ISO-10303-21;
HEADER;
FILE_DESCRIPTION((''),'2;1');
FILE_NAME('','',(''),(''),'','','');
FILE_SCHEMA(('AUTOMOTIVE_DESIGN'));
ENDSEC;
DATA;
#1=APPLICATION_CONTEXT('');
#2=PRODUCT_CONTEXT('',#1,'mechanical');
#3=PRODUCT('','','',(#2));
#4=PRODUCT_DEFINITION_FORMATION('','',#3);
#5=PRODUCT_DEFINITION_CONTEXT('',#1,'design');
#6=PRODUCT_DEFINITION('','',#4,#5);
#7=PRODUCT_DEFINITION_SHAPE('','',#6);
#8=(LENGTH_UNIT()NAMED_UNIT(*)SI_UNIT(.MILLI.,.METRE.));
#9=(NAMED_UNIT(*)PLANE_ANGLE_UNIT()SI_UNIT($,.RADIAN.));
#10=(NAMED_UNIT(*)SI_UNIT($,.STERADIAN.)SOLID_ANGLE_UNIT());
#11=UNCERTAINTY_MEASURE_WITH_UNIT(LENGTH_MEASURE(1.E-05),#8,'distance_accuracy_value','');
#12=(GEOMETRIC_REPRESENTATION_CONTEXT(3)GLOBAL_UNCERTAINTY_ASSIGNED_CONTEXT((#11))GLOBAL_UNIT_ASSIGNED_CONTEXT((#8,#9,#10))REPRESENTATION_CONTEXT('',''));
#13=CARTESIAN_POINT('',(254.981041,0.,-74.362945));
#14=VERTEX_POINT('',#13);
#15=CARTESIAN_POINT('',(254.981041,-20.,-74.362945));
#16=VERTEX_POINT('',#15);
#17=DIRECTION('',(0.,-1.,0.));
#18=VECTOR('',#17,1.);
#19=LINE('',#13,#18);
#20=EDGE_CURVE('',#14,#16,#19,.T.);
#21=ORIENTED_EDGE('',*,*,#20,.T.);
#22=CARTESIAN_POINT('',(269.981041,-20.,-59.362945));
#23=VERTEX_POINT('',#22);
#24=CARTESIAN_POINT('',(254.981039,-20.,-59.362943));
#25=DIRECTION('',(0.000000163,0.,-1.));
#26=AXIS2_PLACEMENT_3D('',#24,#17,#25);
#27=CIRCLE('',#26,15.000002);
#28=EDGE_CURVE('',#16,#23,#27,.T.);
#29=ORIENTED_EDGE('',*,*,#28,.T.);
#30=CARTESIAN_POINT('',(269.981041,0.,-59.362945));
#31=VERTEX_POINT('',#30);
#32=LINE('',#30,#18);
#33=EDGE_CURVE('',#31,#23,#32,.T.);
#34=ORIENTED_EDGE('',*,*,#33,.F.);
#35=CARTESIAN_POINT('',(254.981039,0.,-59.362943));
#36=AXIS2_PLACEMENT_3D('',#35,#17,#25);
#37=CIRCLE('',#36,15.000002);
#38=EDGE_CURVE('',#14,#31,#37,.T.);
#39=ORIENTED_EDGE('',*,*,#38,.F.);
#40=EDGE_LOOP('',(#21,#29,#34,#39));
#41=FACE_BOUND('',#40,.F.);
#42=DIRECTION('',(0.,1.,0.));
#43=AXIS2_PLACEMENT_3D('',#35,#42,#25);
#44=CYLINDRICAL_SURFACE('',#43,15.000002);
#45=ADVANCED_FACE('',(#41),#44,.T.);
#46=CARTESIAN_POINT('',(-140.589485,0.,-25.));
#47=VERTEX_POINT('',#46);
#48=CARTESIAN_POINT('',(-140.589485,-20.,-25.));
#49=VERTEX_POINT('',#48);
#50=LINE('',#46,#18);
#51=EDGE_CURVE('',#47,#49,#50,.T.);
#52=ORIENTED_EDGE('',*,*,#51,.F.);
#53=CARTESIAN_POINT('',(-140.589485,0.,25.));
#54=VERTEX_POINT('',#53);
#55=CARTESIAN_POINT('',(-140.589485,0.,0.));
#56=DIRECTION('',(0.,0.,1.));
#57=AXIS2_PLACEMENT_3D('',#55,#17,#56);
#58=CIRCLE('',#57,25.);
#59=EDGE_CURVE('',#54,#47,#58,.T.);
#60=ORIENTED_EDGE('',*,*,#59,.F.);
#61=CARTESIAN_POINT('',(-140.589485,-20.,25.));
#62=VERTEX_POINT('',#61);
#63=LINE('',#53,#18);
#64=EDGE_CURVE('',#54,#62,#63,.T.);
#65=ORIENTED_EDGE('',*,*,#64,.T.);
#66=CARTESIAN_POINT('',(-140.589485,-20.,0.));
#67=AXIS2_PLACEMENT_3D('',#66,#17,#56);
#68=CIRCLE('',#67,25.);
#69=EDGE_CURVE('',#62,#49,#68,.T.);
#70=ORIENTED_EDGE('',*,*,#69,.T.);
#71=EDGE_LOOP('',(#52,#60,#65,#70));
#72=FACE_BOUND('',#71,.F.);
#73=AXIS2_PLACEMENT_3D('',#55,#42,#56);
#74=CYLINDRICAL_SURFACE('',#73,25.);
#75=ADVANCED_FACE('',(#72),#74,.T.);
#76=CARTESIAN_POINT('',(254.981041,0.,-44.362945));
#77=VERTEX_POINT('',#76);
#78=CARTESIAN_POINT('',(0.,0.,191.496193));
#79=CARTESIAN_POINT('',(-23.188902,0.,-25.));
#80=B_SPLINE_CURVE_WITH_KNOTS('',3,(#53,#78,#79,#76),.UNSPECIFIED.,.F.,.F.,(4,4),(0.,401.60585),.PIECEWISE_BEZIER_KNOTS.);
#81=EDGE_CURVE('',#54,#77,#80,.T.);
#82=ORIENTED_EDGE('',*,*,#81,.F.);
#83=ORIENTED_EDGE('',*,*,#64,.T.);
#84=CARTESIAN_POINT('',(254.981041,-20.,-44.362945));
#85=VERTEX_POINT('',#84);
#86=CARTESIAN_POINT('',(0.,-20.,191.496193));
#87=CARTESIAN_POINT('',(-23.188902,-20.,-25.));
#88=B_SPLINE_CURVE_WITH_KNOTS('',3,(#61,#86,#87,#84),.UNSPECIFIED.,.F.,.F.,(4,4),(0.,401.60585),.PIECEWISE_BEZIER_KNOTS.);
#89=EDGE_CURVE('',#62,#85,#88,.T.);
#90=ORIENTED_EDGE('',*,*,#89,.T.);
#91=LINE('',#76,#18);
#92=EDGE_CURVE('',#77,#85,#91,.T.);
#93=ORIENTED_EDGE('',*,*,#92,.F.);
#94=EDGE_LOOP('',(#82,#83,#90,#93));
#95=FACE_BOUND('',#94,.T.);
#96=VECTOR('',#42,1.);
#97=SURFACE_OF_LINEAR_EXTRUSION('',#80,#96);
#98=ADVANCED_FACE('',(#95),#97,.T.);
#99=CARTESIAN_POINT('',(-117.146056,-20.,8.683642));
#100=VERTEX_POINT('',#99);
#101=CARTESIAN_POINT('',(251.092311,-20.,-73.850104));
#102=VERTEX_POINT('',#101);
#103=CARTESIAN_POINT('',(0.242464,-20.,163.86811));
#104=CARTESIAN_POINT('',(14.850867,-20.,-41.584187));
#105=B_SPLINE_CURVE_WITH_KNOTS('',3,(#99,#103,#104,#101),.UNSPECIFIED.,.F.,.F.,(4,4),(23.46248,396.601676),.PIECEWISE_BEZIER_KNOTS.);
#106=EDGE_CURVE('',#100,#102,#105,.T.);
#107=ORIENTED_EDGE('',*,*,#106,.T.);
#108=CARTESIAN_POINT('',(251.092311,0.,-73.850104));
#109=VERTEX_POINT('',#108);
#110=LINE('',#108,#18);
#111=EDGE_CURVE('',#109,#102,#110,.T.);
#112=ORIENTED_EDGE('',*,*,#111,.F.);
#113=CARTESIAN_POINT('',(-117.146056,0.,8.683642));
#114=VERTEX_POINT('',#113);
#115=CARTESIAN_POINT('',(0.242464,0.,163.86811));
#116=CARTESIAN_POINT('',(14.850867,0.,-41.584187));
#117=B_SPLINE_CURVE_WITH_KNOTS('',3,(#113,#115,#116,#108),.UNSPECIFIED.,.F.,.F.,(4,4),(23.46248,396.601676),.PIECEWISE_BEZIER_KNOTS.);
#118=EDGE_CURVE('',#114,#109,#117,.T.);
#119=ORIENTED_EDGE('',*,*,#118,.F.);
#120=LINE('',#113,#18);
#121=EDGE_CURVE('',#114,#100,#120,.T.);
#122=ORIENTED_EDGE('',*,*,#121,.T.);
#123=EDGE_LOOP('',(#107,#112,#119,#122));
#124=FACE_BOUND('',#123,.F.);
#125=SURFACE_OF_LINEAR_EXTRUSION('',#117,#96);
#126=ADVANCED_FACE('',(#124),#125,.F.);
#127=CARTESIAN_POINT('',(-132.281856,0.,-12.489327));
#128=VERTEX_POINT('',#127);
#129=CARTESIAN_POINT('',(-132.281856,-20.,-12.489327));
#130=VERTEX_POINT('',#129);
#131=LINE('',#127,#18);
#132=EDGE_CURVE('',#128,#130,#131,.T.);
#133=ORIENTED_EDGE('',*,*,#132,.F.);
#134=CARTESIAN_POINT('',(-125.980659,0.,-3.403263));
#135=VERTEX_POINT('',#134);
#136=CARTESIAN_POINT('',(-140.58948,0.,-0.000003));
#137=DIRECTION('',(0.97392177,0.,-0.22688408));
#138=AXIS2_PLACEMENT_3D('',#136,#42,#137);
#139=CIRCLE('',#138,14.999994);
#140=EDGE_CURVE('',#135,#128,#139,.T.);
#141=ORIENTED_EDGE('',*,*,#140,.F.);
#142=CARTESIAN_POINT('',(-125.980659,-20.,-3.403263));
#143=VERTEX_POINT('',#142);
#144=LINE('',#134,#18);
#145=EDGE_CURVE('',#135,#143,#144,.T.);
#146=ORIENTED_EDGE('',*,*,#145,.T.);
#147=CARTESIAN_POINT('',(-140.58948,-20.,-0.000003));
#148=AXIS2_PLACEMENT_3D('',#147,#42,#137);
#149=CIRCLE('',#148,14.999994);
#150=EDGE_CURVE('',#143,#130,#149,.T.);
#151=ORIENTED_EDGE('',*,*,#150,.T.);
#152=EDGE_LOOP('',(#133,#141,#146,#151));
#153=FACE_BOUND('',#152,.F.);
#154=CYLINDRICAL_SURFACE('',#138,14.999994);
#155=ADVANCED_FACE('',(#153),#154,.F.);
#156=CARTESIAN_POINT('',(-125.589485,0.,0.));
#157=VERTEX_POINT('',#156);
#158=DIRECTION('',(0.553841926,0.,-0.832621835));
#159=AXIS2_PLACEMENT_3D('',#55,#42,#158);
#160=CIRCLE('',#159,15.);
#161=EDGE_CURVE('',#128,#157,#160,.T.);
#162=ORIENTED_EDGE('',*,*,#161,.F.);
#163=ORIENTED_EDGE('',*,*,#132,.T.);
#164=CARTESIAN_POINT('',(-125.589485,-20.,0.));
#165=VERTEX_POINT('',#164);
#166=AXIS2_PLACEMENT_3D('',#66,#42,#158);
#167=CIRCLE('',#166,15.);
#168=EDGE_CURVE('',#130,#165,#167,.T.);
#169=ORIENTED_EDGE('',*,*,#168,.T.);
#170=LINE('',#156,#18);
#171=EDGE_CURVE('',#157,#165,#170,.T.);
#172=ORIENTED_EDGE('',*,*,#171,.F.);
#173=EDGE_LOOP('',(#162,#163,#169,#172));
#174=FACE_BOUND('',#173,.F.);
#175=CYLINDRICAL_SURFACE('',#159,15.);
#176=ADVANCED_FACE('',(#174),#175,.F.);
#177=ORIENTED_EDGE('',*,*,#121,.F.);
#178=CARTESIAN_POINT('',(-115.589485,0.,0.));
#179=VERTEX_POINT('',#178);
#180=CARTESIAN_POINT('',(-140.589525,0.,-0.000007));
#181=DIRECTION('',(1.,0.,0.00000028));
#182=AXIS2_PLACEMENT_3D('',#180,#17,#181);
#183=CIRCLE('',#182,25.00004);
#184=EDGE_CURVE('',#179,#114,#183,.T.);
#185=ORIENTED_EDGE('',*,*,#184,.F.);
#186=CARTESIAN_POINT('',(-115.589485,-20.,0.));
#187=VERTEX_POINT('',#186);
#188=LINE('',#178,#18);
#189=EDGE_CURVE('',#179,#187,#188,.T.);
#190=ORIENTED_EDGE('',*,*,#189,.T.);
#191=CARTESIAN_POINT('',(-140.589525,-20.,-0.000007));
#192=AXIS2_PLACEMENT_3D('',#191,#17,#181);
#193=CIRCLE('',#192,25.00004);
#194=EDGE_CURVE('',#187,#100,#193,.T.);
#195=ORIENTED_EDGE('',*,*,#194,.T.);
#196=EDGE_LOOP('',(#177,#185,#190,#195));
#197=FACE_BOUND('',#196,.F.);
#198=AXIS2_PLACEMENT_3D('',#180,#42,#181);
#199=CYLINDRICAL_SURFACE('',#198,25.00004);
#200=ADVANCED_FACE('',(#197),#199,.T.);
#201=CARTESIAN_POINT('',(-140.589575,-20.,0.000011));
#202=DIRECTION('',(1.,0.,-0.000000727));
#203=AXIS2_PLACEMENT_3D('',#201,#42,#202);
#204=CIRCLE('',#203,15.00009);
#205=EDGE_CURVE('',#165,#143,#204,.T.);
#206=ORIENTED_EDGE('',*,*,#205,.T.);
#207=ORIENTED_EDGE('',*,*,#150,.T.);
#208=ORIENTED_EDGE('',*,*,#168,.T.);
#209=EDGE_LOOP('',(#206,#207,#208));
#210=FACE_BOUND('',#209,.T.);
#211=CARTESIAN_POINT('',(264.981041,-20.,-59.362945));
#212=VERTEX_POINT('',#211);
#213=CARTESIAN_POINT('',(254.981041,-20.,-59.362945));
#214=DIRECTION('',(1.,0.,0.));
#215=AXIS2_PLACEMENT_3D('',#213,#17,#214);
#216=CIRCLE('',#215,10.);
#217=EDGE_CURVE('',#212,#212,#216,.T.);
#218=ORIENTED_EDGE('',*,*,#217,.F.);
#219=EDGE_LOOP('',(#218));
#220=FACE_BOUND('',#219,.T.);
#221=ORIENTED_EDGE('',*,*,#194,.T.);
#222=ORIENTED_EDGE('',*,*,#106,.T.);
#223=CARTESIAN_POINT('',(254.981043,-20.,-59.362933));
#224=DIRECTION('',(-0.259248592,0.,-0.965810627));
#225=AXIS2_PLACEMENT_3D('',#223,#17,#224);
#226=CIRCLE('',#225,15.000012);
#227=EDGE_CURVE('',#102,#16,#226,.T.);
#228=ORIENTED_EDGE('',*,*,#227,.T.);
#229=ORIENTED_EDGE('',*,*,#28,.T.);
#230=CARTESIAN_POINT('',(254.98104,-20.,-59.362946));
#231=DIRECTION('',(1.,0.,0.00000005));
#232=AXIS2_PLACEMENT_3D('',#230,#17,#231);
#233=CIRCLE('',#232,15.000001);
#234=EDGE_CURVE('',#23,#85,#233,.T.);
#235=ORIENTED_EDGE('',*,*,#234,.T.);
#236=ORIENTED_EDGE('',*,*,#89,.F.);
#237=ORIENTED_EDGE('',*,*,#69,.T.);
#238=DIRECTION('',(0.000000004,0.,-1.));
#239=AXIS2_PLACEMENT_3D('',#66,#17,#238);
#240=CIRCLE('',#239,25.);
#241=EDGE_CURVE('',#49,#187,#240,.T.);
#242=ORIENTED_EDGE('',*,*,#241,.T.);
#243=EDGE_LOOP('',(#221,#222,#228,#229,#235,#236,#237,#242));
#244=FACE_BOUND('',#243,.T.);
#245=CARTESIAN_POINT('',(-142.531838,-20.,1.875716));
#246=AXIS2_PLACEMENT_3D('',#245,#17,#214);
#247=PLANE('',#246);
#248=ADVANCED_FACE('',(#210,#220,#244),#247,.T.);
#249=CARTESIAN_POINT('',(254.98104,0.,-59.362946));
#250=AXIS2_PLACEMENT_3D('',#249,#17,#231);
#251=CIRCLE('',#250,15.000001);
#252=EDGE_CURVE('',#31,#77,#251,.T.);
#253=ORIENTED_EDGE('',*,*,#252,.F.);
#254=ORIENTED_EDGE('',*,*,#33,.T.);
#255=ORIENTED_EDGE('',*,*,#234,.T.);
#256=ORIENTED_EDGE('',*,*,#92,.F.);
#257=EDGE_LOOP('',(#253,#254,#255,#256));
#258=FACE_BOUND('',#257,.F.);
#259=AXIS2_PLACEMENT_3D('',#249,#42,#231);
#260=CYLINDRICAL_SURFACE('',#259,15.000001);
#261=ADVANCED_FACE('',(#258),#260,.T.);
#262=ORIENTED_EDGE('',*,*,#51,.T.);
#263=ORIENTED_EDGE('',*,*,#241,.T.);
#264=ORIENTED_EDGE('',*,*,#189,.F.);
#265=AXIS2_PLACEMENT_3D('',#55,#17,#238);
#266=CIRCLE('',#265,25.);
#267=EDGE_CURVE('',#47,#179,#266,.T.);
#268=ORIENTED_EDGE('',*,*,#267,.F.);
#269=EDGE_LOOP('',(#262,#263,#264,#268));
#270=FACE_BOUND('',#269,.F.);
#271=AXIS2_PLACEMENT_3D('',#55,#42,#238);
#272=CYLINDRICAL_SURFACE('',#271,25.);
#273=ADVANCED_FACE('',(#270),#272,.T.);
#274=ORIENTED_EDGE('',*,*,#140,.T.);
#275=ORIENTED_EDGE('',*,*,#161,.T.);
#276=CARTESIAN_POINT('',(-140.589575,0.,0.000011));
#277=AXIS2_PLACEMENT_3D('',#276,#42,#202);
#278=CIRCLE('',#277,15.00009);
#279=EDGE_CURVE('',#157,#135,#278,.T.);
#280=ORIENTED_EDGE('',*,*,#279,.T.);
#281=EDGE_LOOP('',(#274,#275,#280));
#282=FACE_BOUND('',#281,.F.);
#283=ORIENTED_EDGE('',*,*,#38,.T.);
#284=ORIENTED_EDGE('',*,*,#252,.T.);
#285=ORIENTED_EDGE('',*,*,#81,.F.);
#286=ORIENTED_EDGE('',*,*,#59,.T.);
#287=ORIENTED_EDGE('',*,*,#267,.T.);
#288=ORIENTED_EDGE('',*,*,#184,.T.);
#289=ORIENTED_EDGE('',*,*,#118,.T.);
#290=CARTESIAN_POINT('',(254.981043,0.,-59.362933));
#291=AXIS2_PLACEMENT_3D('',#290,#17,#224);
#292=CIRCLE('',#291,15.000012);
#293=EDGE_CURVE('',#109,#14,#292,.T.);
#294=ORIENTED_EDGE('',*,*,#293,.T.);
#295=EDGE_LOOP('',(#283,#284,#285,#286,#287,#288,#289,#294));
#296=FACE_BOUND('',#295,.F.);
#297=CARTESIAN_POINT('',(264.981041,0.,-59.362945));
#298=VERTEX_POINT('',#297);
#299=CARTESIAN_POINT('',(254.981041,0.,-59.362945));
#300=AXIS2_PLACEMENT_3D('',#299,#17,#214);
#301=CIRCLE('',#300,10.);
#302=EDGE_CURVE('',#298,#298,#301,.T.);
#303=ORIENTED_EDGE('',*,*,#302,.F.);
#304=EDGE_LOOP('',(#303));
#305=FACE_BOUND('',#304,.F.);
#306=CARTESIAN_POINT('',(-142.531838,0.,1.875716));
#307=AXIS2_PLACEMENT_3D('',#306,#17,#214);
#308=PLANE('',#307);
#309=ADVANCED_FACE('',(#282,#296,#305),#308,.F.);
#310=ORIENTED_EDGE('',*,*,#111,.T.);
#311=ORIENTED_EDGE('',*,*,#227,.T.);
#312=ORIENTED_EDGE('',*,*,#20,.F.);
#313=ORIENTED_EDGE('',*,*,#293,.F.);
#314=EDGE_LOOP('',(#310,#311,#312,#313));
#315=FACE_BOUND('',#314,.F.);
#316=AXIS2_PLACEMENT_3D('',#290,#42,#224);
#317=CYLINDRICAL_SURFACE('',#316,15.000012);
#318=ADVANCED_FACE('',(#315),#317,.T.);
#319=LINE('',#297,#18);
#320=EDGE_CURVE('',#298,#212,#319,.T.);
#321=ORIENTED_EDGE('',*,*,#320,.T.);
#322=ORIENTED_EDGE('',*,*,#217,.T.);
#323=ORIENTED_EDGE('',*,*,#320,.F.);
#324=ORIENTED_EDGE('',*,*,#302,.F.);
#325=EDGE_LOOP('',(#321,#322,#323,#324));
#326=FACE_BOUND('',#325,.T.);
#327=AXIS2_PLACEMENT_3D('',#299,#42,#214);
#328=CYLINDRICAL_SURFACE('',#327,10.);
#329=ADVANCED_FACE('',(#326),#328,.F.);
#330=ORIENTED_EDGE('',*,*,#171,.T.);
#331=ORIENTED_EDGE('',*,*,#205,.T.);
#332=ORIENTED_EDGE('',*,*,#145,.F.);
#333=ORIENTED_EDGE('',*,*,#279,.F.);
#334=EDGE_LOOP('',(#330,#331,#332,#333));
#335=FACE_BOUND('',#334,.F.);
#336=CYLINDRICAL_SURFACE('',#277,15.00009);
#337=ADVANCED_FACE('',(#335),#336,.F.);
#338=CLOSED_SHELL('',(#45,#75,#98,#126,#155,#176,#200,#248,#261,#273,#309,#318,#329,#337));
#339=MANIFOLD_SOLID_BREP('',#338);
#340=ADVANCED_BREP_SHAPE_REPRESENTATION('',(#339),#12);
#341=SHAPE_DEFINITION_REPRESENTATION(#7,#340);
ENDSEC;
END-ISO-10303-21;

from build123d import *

# Parameters (mm, degrees)
F0_R     = 10
F1_DEPTH = 20


with BuildPart() as f1:
    # F0 (on Front) → F1 (new body)
    with BuildSketch(Plane.XZ):
        with BuildLine():
            ThreePointArc((-132.281856, -12.489327), (-153.810953, 7.084686), (-125.589485, 0))
            ThreePointArc((-125.589485, 0), (-125.6876, -1.712835), (-125.980659, -3.403263))
            add(Edge.make_bspline(
                [(-125.980659, -3.403263), (-122.970671, 0.848243), (-120.027402, 4.87458), (-117.146056, 8.683642)],
                knots=[14.303636, 14.303636, 14.303636, 14.303636, 23.46248, 23.46248, 23.46248, 23.46248], degree=3))
            ThreePointArc((-117.146056, 8.683642), (-126.308222, 20.519394), (-140.589485, 25))
            ThreePointArc((-140.589485, 25), (-165.589485, 0), (-140.589485, -25))
            add(Edge.make_bspline(
                [(-140.589485, -25), (-137.764584, -20.649885), (-134.996444, -16.481421), (-132.281856, -12.489327)],
                knots=[0, 0, 0, 0, 8.009951, 8.009951, 8.009951, 8.009951], degree=3))
        make_face()
        with BuildLine():
            ThreePointArc((-125.980659, -3.403263), (-128.263491, -8.548092), (-132.281856, -12.489327))
            add(Edge.make_bspline(
                [(-140.589485, -25), (-137.764584, -20.649885), (-134.996444, -16.481421), (-132.281856, -12.489327)],
                knots=[0, 0, 0, 0, 8.009951, 8.009951, 8.009951, 8.009951], degree=3))
            ThreePointArc((-140.589485, -25), (-122.911816, -17.67767), (-115.589485, 0))
            ThreePointArc((-115.589485, 0), (-115.981705, 4.411024), (-117.146056, 8.683642))
            add(Edge.make_bspline(
                [(-125.980659, -3.403263), (-122.970671, 0.848243), (-120.027402, 4.87458), (-117.146056, 8.683642)],
                knots=[14.303636, 14.303636, 14.303636, 14.303636, 23.46248, 23.46248, 23.46248, 23.46248], degree=3))
        make_face()
        with BuildLine():
            ThreePointArc((-140.589485, 25), (-126.308222, 20.519394), (-117.146056, 8.683642))
            add(Edge.make_bspline(
                [(-117.146056, 8.683642), (0.242464, 163.86811), (14.850867, -41.584187), (251.092311, -73.850104)],
                knots=[23.46248, 23.46248, 23.46248, 23.46248, 396.601676, 396.601676, 396.601676, 396.601676], degree=3))
            ThreePointArc((251.092311, -73.850104), (240.109803, -57.401745), (254.981041, -44.362945))
            add(Edge.make_bspline(
                [(-140.589485, 25), (0, 191.496193), (-23.188902, -25), (254.981041, -44.362945)],
                knots=[0, 0, 0, 0, 401.60585, 401.60585, 401.60585, 401.60585], degree=3))
        make_face()
        with BuildLine():
            add(Edge.make_bspline(
                [(251.092311, -73.850104), (252.381932, -74.026241), (253.678158, -74.197217), (254.981041, -74.362945)],
                knots=[396.601676, 396.601676, 396.601676, 396.601676, 398.63861, 398.63861, 398.63861, 398.63861], degree=3))
            ThreePointArc((251.092311, -73.850104), (253.019841, -74.234182), (254.981041, -74.362945))
        make_face()
        with BuildLine():
            ThreePointArc((254.981041, -44.362945), (240.109803, -57.401745), (251.092311, -73.850104))
            add(Edge.make_bspline(
                [(251.092311, -73.850104), (252.381932, -74.026241), (253.678158, -74.197217), (254.981041, -74.362945)],
                knots=[396.601676, 396.601676, 396.601676, 396.601676, 398.63861, 398.63861, 398.63861, 398.63861], degree=3))
            ThreePointArc((254.981041, -74.362945), (265.587642, -69.969546), (269.981041, -59.362945))
            ThreePointArc((269.981041, -59.362945), (265.587642, -48.756343), (254.981041, -44.362945))
        make_face()
        with Locations((254.981041, -59.362945)):
            Circle(F0_R, mode=Mode.SUBTRACT)
    extrude(amount=F1_DEPTH)


solid = f1.part
